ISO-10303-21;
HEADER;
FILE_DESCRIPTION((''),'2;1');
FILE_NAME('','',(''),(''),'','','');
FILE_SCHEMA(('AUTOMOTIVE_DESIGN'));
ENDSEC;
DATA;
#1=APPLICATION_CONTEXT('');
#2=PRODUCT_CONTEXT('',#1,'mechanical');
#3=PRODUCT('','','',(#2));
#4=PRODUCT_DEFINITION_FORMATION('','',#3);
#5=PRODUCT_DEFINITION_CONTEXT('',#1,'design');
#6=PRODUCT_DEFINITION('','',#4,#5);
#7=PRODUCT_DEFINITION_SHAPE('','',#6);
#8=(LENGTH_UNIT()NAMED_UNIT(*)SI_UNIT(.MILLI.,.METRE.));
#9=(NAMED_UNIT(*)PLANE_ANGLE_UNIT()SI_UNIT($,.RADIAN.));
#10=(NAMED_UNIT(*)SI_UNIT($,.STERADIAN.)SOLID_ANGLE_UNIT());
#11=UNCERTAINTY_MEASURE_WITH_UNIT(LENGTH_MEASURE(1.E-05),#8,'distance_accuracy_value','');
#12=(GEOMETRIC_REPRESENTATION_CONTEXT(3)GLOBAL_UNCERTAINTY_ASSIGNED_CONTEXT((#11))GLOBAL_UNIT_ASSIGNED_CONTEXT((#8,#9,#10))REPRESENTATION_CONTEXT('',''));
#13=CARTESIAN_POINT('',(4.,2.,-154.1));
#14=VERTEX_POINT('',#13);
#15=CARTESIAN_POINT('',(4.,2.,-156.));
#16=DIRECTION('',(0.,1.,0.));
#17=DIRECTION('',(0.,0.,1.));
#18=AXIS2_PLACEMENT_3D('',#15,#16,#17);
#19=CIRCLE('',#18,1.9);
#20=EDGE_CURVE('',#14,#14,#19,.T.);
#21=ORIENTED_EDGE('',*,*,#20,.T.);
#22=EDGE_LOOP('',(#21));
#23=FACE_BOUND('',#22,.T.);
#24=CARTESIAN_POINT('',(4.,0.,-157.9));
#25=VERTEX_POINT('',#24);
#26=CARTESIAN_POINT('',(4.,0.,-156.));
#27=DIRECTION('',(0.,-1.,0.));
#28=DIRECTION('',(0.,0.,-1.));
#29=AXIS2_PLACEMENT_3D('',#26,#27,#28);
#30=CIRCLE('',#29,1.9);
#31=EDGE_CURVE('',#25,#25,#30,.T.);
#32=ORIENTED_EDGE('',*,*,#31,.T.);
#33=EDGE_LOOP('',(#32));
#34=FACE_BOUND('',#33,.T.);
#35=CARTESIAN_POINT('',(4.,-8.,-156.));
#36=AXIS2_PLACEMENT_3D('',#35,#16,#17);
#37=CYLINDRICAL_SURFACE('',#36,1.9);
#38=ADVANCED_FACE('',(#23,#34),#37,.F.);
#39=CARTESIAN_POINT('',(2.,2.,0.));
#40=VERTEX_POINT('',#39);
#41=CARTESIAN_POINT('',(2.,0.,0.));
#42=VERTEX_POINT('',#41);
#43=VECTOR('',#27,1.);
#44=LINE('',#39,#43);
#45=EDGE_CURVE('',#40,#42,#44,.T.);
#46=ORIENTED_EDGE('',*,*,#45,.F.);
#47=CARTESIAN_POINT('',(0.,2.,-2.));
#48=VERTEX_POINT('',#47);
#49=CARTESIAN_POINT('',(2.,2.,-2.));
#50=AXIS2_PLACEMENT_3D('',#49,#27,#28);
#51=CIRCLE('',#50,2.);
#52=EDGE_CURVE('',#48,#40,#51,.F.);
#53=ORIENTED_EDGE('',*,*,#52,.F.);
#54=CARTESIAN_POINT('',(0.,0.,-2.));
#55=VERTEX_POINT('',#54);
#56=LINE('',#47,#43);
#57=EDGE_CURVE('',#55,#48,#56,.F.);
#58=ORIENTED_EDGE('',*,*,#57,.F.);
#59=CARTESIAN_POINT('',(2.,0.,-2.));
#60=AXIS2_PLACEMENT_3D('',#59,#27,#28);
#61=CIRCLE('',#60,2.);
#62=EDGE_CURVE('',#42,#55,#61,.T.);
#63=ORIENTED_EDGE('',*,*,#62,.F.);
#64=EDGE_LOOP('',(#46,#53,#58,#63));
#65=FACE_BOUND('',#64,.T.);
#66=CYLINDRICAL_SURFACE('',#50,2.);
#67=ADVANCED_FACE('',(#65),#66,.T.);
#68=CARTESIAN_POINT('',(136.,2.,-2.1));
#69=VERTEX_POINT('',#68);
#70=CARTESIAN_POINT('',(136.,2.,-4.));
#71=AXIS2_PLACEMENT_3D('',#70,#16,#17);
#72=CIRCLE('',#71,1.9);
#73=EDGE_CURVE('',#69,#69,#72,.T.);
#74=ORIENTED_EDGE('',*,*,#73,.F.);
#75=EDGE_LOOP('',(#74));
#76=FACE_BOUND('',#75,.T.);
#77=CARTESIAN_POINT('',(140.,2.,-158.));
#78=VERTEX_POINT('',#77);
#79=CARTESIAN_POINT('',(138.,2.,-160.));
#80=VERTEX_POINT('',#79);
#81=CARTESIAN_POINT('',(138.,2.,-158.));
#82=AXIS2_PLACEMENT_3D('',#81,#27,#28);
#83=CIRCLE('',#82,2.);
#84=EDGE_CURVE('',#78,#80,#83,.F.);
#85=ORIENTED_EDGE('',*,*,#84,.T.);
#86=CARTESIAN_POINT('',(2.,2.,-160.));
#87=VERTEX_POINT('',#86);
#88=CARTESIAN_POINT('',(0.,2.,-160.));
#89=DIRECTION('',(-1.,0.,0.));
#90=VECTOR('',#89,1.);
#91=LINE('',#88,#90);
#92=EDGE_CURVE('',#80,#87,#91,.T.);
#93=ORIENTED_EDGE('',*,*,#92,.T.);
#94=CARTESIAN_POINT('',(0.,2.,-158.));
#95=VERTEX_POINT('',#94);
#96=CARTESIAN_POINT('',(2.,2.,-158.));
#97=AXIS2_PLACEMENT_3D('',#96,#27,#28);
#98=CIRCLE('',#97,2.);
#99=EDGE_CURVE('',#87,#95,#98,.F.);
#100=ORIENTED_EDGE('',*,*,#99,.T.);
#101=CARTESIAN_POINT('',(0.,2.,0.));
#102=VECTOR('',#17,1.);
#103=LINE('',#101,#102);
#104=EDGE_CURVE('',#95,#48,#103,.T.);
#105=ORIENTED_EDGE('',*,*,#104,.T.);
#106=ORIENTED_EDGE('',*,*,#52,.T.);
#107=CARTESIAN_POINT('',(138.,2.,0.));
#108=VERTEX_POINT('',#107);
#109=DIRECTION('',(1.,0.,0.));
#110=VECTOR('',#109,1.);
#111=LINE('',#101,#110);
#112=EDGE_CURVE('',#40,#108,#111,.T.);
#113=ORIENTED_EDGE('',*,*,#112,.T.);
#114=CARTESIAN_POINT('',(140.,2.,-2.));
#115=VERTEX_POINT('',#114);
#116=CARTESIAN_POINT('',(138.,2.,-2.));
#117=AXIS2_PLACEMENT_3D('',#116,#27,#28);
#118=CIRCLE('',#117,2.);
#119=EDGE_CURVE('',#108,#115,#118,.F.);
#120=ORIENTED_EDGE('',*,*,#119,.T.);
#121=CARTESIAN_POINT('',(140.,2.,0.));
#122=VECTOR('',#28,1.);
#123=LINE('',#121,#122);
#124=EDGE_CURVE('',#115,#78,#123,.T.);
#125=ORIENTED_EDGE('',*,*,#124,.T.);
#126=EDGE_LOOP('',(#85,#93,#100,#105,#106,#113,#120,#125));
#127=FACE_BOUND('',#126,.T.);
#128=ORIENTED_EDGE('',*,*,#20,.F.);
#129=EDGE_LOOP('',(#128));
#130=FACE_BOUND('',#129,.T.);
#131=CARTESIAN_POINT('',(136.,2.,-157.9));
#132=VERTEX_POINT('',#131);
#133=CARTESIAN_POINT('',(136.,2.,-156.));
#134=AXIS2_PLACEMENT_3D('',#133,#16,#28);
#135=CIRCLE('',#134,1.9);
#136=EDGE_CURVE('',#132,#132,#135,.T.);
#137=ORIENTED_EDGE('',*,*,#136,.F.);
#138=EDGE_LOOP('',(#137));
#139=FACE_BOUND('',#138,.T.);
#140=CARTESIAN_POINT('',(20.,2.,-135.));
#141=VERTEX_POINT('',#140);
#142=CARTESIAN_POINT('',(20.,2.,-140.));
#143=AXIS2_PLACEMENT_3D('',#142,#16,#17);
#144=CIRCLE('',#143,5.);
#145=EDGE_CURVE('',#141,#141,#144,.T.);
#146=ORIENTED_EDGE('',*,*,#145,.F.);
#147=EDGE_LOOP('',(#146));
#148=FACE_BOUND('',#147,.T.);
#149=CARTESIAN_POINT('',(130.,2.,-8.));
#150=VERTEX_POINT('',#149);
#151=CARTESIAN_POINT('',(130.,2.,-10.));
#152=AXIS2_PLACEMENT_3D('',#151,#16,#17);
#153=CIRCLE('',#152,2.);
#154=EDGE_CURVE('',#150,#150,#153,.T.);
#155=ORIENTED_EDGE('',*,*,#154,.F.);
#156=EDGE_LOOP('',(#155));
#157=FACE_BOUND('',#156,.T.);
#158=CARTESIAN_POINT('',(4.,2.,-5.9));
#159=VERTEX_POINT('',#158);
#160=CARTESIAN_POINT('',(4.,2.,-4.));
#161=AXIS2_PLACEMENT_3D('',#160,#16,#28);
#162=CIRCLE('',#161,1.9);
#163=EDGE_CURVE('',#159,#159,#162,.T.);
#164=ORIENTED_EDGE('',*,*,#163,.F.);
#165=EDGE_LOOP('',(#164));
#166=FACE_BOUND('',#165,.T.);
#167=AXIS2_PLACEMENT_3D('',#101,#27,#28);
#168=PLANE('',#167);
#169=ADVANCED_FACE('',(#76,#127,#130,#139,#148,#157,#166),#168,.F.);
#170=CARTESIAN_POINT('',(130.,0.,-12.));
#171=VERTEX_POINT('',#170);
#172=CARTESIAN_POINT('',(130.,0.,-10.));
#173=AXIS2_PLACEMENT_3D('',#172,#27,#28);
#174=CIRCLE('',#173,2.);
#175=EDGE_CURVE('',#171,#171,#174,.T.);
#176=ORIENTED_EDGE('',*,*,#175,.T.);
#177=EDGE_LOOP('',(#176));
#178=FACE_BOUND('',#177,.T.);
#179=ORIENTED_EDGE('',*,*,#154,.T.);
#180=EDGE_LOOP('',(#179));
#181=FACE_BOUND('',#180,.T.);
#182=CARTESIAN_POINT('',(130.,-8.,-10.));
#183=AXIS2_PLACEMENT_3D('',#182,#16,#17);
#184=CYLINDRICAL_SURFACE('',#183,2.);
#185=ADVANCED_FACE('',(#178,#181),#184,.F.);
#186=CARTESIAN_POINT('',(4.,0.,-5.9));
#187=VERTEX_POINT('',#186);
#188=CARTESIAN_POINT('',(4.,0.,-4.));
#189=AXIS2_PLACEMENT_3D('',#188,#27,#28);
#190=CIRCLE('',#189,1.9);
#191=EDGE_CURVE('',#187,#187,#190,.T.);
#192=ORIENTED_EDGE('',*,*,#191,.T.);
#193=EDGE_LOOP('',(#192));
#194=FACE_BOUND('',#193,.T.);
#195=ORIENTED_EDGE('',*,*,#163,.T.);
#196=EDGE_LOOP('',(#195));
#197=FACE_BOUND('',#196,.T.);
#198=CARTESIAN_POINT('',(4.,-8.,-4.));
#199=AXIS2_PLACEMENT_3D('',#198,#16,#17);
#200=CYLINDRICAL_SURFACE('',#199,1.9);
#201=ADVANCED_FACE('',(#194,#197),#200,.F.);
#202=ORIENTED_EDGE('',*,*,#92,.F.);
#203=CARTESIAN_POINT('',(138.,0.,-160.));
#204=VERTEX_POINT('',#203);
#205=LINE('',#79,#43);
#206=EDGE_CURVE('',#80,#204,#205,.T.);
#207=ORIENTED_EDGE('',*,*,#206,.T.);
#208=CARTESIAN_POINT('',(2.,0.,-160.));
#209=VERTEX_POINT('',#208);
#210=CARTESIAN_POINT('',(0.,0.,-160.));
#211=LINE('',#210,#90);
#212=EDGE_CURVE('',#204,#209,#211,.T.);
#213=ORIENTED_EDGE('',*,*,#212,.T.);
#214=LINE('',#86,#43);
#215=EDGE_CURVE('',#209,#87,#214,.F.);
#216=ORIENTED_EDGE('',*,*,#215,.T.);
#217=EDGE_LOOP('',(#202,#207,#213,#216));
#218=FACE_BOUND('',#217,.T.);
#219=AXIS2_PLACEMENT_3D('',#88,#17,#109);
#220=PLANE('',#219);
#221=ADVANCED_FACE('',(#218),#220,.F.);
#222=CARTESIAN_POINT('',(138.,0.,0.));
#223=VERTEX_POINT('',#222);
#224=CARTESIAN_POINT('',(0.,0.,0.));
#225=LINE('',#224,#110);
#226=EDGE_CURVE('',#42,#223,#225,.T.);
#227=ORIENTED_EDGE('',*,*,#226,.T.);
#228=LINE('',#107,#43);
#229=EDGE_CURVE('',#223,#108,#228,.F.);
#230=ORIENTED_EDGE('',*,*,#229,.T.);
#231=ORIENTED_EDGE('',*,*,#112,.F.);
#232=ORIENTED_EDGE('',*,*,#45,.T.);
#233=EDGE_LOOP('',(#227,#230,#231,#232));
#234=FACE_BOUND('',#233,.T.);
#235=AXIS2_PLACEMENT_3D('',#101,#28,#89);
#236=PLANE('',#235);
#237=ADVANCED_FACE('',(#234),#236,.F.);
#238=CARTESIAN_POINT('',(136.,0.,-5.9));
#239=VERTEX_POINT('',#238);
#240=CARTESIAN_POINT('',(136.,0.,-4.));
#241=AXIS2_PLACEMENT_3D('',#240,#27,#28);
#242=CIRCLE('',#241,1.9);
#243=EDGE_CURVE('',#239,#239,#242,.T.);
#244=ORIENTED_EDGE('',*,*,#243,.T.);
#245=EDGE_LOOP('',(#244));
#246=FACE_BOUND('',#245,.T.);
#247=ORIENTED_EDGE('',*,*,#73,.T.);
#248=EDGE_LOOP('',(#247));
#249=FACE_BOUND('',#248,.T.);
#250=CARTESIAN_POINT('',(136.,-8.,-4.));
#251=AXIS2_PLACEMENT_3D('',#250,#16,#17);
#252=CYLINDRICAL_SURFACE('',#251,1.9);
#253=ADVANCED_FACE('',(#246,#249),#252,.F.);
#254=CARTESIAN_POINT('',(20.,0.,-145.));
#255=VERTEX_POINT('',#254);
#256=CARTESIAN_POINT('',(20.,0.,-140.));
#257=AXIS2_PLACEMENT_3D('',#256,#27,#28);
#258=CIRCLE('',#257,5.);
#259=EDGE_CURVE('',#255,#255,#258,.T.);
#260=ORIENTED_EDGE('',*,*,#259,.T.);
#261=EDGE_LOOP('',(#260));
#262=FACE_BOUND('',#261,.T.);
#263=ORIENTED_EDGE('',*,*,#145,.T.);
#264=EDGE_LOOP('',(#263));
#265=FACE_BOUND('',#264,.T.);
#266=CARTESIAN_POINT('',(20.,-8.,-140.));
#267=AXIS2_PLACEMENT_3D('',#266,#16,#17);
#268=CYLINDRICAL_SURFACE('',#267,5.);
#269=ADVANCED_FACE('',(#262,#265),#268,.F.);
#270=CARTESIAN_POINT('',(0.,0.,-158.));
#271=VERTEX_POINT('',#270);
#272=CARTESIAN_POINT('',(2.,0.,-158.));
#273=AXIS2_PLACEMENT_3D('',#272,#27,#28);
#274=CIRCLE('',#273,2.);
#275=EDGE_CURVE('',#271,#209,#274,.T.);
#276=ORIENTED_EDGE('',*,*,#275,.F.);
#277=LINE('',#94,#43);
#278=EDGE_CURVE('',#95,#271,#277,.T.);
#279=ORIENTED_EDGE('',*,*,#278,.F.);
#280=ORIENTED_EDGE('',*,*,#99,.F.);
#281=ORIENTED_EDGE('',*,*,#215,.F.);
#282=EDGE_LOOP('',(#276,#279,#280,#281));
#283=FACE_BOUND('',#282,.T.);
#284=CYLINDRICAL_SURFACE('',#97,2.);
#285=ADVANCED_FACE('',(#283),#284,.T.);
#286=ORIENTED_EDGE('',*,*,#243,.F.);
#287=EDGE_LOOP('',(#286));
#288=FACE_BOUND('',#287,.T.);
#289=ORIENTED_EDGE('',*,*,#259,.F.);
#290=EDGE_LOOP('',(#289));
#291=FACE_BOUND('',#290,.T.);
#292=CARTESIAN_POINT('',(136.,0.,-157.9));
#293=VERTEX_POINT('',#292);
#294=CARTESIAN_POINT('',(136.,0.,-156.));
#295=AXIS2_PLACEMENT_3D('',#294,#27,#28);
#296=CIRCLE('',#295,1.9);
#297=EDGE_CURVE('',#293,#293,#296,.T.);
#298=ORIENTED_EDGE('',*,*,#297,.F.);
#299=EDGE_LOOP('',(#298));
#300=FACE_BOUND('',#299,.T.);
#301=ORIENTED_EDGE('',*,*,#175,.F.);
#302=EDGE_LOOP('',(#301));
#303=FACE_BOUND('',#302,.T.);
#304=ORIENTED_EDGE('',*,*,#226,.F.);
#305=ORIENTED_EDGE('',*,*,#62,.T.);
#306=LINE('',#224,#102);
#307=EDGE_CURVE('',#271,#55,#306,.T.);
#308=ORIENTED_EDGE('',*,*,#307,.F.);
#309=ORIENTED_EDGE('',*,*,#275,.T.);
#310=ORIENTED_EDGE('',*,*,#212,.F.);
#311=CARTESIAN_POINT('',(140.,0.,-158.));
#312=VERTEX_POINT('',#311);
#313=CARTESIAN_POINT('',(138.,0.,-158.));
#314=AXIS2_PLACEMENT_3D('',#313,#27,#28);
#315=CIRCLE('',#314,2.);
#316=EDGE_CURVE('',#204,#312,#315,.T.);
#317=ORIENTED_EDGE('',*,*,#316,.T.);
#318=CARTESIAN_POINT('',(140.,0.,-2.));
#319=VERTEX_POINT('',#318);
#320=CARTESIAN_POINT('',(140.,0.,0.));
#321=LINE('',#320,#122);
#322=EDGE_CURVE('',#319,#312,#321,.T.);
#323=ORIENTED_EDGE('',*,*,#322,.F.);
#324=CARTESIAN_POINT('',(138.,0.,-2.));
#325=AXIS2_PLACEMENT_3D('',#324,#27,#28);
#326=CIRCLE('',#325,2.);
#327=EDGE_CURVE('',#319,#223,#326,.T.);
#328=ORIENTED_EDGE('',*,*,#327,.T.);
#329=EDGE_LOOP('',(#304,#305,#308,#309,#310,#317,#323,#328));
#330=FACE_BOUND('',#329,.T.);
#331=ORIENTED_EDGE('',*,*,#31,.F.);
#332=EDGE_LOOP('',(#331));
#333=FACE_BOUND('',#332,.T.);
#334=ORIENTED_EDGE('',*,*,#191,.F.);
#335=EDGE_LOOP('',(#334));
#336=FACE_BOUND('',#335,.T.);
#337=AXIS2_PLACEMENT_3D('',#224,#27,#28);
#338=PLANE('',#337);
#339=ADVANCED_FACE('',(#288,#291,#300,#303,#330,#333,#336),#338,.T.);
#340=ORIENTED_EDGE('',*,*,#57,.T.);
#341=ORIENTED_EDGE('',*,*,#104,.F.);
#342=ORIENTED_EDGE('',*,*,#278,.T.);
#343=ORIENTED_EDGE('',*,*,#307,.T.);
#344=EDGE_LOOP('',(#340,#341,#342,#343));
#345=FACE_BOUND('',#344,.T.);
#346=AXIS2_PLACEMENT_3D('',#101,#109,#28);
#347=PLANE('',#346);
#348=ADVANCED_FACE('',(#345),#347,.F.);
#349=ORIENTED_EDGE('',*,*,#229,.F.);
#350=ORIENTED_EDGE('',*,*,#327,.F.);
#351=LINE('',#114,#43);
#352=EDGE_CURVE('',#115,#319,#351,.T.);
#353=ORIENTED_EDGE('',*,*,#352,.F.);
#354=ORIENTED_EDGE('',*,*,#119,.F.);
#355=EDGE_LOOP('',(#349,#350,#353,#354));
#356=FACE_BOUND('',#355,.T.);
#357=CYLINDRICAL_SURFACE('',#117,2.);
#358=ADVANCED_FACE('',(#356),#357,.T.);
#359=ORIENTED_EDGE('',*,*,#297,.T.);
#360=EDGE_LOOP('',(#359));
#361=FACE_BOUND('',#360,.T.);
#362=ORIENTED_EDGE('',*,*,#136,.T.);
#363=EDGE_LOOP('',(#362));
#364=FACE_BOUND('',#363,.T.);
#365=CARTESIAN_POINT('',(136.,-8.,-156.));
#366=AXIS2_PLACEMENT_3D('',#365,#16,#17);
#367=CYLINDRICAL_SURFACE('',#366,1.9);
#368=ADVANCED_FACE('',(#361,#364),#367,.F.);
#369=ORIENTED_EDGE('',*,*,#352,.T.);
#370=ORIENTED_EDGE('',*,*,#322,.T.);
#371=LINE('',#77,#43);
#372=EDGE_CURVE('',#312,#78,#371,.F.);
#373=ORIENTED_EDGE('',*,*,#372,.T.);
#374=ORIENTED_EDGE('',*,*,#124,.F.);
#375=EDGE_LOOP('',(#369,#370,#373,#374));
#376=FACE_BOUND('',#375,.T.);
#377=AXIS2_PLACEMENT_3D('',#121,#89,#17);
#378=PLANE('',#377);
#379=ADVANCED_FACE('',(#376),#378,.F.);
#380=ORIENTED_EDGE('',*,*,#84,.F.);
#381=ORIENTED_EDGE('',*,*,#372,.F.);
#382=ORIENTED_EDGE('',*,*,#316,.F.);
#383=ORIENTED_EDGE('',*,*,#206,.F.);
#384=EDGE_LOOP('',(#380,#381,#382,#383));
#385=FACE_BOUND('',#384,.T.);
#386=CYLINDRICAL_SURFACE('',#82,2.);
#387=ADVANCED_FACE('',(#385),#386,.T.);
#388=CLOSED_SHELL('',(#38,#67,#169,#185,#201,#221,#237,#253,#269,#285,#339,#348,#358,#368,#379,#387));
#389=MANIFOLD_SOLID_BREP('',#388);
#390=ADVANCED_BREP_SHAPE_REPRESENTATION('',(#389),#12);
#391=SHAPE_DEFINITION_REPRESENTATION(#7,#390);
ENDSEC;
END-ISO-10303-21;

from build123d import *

# Parameters (mm, degrees)
SKETCH1_W           = 140
SKETCH1_H           = 160
BOSS_EXTRUDE1_DEPTH = 2
SKETCH2_R           = 1.9
SKETCH2_R_2         = 2
SKETCH2_R_3         = 5
CUT_EXTRUDE1_DEPTH  = 10
FILLET1_R           = 2


with BuildPart() as part:
    # Sketch1 → Boss-Extrude1 (new body)
    with BuildSketch(Plane(origin=(0, 0, 0), x_dir=(1, 0, 0), z_dir=(0, 1, 0))):
        with Locations((70, 80)):
            Rectangle(SKETCH1_W, SKETCH1_H)
    extrude(amount=BOSS_EXTRUDE1_DEPTH)

    # Sketch2 → Cut-Extrude1 (cut)
    with BuildSketch(Plane(origin=(0, 2, 0), x_dir=(1, 0, 0), z_dir=(0, 1, 0))):
        with Locations(Location((4, 156, 0), (0, 0, 270))):
            Circle(SKETCH2_R)
        with Locations(Location((136, 156, 0), (0, 0, 90))):
            Circle(SKETCH2_R)
        with Locations(Location((136, 4, 0), (0, 0, 270))):
            Circle(SKETCH2_R)
        with Locations(Location((4, 4, 0), (0, 0, 90))):
            Circle(SKETCH2_R)
        with Locations(Location((130, 10, 0), (0, 0, 270))):
            Circle(SKETCH2_R_2)
        with Locations(Location((20, 140, 0), (0, 0, 270))):
            Circle(SKETCH2_R_3)
    extrude(amount=-CUT_EXTRUDE1_DEPTH, mode=Mode.SUBTRACT)

    # Fillet1
    fillet1_edges = [part.edges().sort_by_distance(p)[0] for p in [
        (0, 1, -160),
        (140, 1, -160),
        (140, 1, 0),
        (0, 1, 0),
    ]]
    fillet(fillet1_edges, radius=FILLET1_R)


solid = part.part
